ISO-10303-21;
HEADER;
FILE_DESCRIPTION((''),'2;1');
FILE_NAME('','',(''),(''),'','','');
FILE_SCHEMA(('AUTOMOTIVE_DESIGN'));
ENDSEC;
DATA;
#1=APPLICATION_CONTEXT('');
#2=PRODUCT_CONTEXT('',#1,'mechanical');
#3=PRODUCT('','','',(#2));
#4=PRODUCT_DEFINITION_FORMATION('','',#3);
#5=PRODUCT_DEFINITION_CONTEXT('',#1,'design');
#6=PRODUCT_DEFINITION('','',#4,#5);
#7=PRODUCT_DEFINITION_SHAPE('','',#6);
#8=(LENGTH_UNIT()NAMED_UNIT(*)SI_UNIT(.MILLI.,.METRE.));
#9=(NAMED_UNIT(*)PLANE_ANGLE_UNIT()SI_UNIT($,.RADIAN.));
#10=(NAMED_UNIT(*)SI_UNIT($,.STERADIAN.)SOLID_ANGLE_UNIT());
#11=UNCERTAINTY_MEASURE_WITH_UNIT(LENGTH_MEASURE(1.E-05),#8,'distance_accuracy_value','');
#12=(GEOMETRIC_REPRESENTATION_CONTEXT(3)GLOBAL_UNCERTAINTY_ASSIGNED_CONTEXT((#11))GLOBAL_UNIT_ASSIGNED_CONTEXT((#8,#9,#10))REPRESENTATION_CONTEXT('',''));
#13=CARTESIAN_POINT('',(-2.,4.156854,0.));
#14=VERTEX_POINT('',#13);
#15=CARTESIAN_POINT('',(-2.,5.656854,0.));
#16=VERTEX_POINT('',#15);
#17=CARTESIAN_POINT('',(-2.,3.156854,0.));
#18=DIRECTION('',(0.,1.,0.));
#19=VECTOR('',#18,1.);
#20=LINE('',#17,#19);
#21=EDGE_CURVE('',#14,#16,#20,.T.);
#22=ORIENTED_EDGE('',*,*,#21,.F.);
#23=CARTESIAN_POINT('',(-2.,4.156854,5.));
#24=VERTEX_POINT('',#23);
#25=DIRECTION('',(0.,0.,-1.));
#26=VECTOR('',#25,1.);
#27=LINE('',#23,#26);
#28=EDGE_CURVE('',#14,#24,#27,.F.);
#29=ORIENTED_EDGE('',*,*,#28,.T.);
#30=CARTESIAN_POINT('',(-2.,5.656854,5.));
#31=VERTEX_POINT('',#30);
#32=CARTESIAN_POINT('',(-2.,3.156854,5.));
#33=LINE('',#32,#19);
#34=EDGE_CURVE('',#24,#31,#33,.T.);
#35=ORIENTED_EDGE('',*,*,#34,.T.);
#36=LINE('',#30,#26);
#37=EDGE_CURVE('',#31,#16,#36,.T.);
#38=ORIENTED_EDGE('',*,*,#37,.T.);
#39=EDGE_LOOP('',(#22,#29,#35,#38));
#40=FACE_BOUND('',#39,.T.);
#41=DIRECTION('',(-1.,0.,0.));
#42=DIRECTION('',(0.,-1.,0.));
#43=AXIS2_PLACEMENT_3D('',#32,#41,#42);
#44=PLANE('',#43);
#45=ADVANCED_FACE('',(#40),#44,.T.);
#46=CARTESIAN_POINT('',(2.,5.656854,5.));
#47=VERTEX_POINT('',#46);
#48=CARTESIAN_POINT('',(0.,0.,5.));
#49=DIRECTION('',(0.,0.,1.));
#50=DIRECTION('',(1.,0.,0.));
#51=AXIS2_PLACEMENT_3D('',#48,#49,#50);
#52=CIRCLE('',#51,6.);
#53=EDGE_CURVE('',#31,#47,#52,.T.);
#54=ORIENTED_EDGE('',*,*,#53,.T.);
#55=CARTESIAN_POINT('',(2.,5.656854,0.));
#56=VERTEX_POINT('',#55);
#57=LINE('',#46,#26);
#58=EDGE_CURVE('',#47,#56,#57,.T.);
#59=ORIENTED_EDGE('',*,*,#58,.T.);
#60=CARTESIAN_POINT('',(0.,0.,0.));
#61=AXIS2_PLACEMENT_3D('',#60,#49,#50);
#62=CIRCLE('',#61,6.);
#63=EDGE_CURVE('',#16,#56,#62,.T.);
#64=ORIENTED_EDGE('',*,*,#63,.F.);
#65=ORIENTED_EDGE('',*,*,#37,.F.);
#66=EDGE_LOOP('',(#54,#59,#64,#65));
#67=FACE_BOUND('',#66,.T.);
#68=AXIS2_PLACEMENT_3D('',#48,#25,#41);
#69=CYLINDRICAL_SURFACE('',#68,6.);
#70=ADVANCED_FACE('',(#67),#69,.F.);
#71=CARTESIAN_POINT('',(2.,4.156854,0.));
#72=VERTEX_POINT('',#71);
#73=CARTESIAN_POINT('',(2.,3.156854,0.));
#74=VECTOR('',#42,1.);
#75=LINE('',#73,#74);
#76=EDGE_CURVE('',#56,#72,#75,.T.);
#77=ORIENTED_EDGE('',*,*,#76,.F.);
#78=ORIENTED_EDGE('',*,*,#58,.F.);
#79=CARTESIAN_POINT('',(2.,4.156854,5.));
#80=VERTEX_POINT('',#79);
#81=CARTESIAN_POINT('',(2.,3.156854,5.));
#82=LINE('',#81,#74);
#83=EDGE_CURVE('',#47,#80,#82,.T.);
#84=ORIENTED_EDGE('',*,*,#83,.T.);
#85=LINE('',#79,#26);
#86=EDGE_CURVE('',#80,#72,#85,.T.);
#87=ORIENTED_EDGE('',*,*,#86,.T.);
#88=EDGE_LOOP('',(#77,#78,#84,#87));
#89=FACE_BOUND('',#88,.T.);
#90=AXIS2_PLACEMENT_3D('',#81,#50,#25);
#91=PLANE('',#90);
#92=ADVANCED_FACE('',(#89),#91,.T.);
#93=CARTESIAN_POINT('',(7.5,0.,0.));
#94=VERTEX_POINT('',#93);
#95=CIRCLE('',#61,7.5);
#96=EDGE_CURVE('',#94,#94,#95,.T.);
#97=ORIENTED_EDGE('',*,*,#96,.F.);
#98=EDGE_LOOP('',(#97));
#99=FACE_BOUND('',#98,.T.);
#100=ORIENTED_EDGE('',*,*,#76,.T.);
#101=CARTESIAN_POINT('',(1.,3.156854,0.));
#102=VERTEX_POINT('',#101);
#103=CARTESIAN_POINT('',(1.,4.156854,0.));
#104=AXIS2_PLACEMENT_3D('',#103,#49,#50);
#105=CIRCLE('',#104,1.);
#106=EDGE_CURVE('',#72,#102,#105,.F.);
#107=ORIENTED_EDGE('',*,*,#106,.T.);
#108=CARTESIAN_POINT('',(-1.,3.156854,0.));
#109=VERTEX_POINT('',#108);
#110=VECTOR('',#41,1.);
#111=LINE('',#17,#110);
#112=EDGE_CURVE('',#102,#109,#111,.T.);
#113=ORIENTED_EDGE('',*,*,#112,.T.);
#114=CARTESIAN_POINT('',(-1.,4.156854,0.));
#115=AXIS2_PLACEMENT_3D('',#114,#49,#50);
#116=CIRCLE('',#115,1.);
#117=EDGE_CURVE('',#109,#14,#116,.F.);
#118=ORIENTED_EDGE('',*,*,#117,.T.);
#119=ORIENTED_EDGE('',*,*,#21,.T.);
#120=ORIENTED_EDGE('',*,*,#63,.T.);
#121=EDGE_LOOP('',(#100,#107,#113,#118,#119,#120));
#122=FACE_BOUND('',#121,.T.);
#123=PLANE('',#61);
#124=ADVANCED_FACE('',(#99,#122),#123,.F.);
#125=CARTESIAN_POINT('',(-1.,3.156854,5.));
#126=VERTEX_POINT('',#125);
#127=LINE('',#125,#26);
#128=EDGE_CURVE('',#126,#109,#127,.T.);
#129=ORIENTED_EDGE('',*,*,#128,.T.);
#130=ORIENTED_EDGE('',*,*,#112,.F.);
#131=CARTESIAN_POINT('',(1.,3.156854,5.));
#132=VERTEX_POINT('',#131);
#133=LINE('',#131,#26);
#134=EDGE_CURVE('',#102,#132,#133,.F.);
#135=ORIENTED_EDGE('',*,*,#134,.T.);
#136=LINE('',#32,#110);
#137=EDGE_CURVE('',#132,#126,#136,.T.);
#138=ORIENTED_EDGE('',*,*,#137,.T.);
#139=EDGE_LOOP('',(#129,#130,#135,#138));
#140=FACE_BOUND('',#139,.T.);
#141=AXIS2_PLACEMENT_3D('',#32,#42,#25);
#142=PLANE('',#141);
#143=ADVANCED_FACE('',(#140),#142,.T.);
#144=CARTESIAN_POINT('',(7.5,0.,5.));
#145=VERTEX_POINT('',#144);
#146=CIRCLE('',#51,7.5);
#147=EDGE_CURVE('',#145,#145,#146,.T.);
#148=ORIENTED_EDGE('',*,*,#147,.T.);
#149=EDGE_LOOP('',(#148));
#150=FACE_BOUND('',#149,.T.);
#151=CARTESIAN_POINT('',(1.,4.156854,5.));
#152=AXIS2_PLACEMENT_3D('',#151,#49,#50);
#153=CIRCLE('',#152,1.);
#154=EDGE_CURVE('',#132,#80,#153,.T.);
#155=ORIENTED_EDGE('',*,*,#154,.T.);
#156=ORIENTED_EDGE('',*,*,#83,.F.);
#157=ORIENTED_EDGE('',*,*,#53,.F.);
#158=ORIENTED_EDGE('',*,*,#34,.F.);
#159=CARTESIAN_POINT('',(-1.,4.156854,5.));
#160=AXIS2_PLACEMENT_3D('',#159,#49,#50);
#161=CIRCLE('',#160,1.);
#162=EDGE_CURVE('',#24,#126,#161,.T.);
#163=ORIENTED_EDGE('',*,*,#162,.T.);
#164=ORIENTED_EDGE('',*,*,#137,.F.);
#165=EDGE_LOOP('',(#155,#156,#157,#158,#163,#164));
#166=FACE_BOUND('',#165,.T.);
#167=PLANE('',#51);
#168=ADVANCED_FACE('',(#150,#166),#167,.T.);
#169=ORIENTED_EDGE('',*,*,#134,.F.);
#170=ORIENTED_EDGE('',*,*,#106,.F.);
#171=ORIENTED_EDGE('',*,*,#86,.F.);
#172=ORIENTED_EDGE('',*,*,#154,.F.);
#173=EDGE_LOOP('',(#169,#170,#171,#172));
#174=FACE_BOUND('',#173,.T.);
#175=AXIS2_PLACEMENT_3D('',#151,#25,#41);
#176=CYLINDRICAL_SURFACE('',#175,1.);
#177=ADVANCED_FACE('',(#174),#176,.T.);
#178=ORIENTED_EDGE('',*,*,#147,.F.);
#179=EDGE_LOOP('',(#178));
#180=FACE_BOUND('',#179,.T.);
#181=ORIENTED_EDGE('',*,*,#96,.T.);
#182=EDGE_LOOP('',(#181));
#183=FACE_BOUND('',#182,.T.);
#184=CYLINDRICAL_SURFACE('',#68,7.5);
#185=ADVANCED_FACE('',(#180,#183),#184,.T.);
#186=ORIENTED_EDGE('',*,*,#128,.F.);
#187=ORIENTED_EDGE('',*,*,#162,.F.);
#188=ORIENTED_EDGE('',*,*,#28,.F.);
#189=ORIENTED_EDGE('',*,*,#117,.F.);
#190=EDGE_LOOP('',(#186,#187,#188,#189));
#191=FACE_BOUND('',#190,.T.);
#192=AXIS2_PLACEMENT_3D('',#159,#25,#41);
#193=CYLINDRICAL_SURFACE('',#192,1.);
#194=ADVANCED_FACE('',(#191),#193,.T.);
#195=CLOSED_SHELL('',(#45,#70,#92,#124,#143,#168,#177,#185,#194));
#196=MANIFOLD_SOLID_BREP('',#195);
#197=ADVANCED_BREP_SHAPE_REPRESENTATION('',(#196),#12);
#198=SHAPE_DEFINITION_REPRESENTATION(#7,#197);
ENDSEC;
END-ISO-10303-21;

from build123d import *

# Parameters (mm, degrees)
SKETCH2_R           = 7.5
BOSS_EXTRUDE1_DEPTH = 5
FILLET1_R           = 1


with BuildPart() as part:
    # Sketch2 → Boss-Extrude1 (new body)
    with BuildSketch(Plane.XY):
        Circle(SKETCH2_R)
        with BuildLine():
            Line((-2, 3.156854249), (2, 3.156854249))
            Line((2, 3.156854249), (2, 5.656854249))
            ThreePointArc((2, 5.656854249), (0, -6), (-2, 5.656854249))
            Line((-2, 5.656854249), (-2, 3.156854249))
        make_face(mode=Mode.SUBTRACT)
    extrude(amount=BOSS_EXTRUDE1_DEPTH)

    # Fillet1
    fillet1_edges = [part.edges().sort_by_distance(p)[0] for p in [
        (-2, 3.156854249, 2.5),
        (2, 3.156854249, 2.5),
    ]]
    fillet(fillet1_edges, radius=FILLET1_R)


solid = part.part
